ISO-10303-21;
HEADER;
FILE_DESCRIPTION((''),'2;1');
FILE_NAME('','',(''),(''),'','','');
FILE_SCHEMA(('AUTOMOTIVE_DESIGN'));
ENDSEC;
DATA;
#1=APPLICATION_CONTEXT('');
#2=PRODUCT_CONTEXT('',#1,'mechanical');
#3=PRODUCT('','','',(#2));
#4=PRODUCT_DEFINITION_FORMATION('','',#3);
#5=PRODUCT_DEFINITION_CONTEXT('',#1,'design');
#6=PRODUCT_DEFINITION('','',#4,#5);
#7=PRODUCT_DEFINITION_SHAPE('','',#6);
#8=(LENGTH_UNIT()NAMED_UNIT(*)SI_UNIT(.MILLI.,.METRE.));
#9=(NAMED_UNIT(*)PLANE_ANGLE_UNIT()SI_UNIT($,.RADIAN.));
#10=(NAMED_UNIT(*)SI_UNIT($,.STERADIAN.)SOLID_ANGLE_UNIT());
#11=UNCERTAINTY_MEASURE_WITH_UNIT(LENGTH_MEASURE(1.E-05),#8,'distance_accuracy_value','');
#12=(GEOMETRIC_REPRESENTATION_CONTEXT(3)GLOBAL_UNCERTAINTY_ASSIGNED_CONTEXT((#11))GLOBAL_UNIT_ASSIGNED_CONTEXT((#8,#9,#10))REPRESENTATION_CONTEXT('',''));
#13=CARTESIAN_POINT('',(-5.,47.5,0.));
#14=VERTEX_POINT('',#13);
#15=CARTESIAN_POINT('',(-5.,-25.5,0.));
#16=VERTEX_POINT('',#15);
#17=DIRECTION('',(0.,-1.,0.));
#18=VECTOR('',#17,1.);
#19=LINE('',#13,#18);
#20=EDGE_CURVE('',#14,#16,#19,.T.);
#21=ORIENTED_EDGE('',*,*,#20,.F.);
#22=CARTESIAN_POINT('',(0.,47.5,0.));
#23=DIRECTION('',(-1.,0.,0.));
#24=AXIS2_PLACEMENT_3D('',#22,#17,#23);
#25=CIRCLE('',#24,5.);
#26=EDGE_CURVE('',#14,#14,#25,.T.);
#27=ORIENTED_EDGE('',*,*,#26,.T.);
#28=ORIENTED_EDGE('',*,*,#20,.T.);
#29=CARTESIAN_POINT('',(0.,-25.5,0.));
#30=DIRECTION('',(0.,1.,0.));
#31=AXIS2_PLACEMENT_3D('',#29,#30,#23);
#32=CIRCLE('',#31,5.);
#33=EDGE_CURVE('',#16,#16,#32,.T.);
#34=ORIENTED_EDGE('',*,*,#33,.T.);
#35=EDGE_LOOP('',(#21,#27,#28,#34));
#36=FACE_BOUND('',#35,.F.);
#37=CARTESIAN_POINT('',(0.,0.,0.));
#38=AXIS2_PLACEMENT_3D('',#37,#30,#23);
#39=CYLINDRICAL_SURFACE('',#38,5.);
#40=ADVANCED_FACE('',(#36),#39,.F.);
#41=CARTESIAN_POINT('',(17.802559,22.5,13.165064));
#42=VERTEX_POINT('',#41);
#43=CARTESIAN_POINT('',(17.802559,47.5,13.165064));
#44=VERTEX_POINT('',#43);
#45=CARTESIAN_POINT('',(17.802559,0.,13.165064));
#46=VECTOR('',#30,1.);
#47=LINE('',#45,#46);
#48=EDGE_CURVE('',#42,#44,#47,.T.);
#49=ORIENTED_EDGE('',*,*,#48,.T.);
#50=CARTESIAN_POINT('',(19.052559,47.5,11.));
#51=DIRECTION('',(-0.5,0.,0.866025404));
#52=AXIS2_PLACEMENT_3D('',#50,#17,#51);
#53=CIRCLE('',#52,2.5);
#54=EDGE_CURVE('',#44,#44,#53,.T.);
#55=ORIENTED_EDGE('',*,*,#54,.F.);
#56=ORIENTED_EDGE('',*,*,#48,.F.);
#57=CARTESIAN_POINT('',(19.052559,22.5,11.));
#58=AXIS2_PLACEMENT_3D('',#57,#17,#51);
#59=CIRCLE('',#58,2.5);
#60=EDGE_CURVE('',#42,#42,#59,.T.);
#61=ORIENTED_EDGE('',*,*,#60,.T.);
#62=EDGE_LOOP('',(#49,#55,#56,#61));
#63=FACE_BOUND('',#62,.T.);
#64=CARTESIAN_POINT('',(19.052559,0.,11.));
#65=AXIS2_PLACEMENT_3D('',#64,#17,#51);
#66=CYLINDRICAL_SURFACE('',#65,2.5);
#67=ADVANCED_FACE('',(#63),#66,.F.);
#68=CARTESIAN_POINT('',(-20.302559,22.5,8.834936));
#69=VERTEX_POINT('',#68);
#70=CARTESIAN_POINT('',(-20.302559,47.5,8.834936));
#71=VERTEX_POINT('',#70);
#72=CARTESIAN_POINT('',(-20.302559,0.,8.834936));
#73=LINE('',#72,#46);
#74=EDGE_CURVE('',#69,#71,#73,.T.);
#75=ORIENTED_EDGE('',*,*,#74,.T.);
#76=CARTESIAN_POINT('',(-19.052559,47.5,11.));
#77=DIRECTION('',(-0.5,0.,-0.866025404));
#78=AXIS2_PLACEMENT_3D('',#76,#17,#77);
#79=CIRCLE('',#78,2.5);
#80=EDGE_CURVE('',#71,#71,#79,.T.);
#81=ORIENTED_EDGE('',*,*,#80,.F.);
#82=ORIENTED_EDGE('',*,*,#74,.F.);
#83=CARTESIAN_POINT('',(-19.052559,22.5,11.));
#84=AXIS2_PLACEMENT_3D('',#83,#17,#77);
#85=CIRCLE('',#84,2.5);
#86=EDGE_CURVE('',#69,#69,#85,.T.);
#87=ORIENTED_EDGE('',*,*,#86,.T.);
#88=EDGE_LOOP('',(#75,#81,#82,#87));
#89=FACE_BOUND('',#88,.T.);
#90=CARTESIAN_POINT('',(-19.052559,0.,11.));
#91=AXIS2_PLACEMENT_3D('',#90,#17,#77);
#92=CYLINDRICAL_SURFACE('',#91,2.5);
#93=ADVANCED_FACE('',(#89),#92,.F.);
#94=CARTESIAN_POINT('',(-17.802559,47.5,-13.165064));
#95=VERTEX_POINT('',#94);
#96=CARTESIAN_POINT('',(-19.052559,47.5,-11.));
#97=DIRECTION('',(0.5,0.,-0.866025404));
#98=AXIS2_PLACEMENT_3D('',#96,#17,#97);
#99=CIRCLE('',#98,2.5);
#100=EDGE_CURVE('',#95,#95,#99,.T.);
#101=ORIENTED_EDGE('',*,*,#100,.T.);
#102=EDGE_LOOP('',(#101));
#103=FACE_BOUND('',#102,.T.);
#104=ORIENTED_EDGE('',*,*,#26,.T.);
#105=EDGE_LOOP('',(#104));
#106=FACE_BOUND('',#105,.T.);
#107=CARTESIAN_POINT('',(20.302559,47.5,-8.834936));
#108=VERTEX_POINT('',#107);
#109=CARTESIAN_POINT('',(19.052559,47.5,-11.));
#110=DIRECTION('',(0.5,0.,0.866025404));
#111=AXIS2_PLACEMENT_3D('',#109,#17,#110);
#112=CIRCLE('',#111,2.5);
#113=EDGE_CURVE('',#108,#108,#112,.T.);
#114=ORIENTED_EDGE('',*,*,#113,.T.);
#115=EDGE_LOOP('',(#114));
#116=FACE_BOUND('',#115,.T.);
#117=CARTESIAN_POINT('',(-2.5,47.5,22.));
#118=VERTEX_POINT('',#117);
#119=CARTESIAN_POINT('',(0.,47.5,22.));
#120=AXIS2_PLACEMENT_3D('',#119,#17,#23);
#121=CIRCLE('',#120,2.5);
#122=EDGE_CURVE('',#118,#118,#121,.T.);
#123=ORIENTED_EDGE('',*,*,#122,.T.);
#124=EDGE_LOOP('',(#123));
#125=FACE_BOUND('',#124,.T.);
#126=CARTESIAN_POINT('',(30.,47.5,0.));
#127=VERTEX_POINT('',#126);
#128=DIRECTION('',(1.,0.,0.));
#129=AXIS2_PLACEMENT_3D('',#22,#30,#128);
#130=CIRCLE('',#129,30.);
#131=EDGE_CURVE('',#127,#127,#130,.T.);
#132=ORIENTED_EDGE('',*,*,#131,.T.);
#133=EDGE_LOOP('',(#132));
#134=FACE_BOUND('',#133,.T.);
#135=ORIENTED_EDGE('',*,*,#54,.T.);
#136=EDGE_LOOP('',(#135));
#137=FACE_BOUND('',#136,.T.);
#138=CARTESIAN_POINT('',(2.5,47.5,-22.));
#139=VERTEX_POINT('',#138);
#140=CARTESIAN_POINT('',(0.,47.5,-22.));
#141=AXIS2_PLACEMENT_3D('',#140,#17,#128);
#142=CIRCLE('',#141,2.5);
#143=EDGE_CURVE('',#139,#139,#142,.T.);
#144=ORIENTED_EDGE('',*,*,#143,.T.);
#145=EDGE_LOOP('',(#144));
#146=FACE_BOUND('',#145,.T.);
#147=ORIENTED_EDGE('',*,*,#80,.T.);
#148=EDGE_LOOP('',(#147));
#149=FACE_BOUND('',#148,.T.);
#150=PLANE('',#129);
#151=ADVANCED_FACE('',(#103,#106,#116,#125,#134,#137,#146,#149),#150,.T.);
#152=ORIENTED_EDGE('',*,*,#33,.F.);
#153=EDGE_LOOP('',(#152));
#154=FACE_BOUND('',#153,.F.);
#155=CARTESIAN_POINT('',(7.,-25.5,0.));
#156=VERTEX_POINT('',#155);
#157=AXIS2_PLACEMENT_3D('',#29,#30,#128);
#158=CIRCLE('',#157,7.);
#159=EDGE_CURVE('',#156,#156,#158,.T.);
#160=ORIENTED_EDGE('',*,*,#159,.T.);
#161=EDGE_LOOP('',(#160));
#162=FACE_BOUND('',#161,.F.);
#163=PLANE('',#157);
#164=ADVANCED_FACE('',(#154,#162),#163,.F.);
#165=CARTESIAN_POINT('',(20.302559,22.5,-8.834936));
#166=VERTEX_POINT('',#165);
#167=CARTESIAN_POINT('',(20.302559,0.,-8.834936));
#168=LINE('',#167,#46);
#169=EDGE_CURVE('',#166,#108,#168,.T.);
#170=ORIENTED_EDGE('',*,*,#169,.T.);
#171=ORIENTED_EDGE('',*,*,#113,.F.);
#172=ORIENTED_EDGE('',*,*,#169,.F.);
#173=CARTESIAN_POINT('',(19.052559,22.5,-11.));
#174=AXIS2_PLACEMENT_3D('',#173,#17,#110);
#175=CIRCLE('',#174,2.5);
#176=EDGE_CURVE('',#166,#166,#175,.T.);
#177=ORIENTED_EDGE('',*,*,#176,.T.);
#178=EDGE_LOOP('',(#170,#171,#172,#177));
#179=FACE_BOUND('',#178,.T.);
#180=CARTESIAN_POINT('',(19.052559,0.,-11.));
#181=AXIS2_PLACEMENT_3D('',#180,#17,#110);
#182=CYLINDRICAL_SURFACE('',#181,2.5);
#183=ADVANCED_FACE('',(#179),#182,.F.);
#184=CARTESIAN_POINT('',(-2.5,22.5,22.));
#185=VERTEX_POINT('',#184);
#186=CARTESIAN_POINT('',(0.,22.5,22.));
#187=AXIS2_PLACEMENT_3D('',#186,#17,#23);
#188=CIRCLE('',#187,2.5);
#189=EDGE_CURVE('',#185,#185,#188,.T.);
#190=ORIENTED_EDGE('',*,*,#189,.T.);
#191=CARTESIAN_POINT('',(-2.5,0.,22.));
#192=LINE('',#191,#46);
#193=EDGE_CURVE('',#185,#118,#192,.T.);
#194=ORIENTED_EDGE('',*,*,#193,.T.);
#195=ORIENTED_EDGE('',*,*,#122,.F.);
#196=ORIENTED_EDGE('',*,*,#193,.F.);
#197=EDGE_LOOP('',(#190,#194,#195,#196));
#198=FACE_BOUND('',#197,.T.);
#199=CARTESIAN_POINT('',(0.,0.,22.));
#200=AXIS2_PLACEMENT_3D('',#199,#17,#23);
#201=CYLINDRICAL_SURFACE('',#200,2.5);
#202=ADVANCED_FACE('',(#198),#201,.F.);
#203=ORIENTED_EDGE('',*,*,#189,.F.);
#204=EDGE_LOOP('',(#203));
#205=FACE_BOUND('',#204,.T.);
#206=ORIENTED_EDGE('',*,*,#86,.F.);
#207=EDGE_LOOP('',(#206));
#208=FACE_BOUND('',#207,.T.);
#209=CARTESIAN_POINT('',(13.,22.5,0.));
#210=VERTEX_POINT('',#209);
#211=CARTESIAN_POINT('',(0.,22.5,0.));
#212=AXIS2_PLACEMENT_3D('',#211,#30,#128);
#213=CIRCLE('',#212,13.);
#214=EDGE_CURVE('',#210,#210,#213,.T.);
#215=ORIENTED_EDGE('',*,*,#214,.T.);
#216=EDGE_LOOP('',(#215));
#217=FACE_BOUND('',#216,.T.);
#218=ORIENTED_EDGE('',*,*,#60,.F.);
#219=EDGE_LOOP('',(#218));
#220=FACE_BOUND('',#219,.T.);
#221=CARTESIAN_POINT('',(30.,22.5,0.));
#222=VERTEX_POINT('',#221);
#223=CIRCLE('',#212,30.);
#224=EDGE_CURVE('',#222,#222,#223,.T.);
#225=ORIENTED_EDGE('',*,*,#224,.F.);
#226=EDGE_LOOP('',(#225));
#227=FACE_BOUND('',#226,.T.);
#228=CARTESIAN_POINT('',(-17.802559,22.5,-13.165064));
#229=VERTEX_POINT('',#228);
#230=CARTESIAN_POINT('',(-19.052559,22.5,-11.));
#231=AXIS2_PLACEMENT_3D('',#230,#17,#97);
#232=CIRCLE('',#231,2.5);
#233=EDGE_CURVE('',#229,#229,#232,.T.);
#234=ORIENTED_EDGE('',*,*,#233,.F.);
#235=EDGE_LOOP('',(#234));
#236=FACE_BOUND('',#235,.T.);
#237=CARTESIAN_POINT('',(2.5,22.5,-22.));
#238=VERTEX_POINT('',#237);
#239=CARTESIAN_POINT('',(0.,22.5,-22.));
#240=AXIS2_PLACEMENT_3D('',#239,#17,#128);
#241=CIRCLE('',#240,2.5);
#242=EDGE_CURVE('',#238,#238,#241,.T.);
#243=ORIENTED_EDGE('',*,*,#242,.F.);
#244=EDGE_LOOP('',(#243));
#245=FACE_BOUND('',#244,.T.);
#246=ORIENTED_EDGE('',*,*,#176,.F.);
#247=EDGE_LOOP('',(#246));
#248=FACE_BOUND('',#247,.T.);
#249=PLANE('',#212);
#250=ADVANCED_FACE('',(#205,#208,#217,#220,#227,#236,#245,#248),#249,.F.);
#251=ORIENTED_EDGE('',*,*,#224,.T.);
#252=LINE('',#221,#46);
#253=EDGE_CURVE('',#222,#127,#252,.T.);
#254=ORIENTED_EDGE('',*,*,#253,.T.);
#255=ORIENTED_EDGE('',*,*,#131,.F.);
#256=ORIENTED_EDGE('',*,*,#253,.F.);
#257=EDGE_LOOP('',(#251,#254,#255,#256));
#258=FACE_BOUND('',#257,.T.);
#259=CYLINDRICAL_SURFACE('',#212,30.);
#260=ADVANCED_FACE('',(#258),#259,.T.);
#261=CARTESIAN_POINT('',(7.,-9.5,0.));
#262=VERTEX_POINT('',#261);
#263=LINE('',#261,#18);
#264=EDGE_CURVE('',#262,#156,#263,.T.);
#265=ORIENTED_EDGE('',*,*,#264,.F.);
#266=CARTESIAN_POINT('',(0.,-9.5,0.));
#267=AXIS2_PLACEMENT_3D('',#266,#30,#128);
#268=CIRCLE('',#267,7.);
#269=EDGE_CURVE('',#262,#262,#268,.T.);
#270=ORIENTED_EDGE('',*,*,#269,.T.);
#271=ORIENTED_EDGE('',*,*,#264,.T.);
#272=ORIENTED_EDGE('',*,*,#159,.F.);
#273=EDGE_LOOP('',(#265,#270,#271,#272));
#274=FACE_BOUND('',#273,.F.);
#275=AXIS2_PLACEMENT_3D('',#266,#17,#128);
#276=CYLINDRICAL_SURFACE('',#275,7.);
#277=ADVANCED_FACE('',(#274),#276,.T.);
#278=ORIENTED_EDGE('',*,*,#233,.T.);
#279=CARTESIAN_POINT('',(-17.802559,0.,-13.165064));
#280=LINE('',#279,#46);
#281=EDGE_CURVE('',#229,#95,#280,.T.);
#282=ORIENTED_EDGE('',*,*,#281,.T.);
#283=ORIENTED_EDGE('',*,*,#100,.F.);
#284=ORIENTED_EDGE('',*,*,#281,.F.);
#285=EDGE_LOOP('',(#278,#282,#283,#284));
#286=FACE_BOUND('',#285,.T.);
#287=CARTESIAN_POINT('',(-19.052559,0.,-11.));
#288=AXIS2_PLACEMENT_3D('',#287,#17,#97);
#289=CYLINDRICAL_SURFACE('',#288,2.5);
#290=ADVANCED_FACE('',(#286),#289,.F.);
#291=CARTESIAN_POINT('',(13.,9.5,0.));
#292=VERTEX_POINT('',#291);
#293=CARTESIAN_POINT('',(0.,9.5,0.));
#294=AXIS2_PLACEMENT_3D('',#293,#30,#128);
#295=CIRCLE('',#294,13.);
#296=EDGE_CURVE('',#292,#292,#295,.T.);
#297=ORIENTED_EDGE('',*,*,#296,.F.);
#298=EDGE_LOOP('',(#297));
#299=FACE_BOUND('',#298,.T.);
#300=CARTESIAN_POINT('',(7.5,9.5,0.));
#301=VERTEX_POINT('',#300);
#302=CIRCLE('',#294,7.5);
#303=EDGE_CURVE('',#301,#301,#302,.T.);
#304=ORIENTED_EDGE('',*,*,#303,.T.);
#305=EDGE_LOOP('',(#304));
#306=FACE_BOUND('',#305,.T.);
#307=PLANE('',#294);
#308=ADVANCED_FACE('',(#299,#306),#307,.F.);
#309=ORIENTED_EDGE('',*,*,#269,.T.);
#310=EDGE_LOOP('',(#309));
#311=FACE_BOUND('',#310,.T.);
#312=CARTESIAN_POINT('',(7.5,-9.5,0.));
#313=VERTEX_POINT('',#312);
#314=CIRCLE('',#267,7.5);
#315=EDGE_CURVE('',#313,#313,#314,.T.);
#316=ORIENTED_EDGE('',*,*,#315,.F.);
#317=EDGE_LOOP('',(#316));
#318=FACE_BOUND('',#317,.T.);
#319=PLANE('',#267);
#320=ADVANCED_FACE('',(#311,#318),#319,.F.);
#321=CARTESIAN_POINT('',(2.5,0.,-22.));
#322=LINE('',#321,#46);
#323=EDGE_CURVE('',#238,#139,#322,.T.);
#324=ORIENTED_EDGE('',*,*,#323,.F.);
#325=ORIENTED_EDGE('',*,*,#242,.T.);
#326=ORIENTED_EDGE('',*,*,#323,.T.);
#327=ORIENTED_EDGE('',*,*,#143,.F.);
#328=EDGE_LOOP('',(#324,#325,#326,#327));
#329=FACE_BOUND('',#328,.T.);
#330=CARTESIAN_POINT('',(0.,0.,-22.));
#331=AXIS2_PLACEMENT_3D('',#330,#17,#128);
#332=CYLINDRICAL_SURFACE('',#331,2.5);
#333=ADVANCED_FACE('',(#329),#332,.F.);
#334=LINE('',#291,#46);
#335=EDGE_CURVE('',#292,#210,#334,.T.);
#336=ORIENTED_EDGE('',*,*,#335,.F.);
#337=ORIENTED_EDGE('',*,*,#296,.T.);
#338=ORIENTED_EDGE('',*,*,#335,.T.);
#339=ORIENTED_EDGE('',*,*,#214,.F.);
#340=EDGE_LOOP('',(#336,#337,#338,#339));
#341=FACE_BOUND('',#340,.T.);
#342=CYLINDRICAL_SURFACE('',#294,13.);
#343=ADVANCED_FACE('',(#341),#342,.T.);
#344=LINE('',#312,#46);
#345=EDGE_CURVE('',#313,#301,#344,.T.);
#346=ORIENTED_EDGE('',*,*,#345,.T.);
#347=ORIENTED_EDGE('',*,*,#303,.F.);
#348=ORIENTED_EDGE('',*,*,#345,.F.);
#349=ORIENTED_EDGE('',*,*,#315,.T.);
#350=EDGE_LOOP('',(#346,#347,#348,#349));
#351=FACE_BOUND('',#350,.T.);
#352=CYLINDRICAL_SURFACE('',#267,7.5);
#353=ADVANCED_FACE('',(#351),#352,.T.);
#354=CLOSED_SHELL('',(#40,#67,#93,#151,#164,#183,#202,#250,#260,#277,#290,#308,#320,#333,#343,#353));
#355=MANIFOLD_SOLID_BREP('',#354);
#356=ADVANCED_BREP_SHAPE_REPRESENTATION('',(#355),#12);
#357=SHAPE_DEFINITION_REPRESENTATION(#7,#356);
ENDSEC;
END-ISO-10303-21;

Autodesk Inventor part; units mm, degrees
ref_plane "YZ Plane" through (0, 0, 0) normal (1, 0, 0) x (0, 1, 0)
ref_plane "XZ Plane" through (0, 0, 0) normal (0, 1, 0) x (-1, 0, 0)
ref_plane "XY Plane" through (0, 0, 0) normal (0, 0, 1) x (1, 0, 0)
sketch "esq_rev" plane through (0, 0, 0) normal (0, 0, 1) x (1, 0, 0)
  line L0 (0, -40.1) -> (0, 62.1) projected
  line L1 (7.5, -9.5) -> (7.5, 9.5)
  line L2 (7.5, 9.5) -> (13, 9.5)
  line L3 (13, 9.5) -> (13, 22.5)
  line L4 (13, 22.5) -> (30, 22.5)
  line L5 (30, 22.5) -> (30, 47.5)
  line L6 (30, 47.5) -> (0, 47.5)
  line L7 (0, -25.5) -> (0, -0.0006)
  line L8 (-38.091, 0) -> (41.3485, 0) projected
  line L9 (-26.7425, 30) -> (-5.3911, 30) projected
  line L10 (-5.3911, 30) -> (28.4337, 30) projected
  line L11 (28.4337, 30) -> (7.0823, 30) projected
  line L12 (7.0823, 30) -> (-26.7425, 30) projected
  line L13 (-6.854, 30) -> (-23.5883, 30) projected
  line L14 (-23.5883, 30) -> (-14.3845, 30) projected
  line L15 (-4.5388, 30) -> (-6.854, 30) projected
  line L16 (-24.4454, 30) -> (5.2291, 30) projected
  line L17 (5.2291, 30) -> (2.6006, 30) projected
  line L18 (-13.9964, 30) -> (-24.4454, 30) projected
  line L19 (24.4454, 30) -> (-5.2291, 30) projected
  line L20 (-5.2291, 30) -> (-2.6006, 30) projected
  line L21 (13.9964, 30) -> (24.4454, 30) projected
  line L22 (4.5388, 30) -> (7.194, 30) projected
  line L23 (7.194, 30) -> (24.9396, 30) projected
  line L24 (24.9396, 30) -> (14.3845, 30) projected
  line L25 (-4.5388, 30) -> (-14.5, 30) projected
  line L26 (2.6006, 30) -> (-13.9964, 30) projected
  line L27 (13.9964, 30) -> (-2.6006, 30) projected
  line L28 (14.5, 30) -> (4.5388, 30) projected
  line L29 (-12.5, 30) -> (12.5, 30) projected
  line L30 (-12.5, -20) -> (12.5, -20) projected
  line L31 (7, -9.5) -> (7, -25.5)
  line L32 (7, -25.5) -> (0, -25.5)
  line L33 (7, -9.5) -> (7.5, -9.5)
  line L34 (0, -0.0006) -> (0, 47.5)
  point P0 (0, 0)
  dimension "d0" = 30
  dimension "d1" = 13
  dimension "d2" = 7.5
  dimension "d5" = 13
  dimension "d6" = 25
  dimension "d23" = 7
  dimension "d25" = 19
  dimension "d26" = 16
revolve "rev" add sketch "esq_rev" angle 360 about axis through (0, -25.5, 0) along (0, 1, 0)
sketch "esq_percage" plane through (0, 0, 0) normal (0, 1, 0) x (-1, 0, 0)
  line L0 (0, -7) -> (0, 7) projected
  line L1 (-7, 0) -> (7, 0) projected
  circle A0 centre (0, 0) radius 5
  dimension "d8" = 10
extrude "ext_percage" cut sketch "esq_percage" along normal through all both and the other way through all
sketch "Esq_trous" plane through (0, 0, 0) normal (0, 1, 0) x (-1, 0, 0)
  line L0 (0, -4.9) -> (0, 29.4) projected
  line L1 (-3.5, 0) -> (3.5, 0) projected
  circle A0 centre (0, 22) radius 2.5
  point P0 (0, 0)
  dimension "d11" = 5
  dimension "d12" = 22
extrude "ext_trous" cut sketch "Esq_trous" along normal through all
pattern_circular "Réseau circulaire1" count 6 over 360 about axis through (0, -10, 0) along (0, 1, 0) of "ext_trous"
thread "Filetage2" size "M14x2" class "6g" standard "ANSI Metric M Profile" full length
properties part number "wheel_hub_spacer" material "Aluminium 6061"
